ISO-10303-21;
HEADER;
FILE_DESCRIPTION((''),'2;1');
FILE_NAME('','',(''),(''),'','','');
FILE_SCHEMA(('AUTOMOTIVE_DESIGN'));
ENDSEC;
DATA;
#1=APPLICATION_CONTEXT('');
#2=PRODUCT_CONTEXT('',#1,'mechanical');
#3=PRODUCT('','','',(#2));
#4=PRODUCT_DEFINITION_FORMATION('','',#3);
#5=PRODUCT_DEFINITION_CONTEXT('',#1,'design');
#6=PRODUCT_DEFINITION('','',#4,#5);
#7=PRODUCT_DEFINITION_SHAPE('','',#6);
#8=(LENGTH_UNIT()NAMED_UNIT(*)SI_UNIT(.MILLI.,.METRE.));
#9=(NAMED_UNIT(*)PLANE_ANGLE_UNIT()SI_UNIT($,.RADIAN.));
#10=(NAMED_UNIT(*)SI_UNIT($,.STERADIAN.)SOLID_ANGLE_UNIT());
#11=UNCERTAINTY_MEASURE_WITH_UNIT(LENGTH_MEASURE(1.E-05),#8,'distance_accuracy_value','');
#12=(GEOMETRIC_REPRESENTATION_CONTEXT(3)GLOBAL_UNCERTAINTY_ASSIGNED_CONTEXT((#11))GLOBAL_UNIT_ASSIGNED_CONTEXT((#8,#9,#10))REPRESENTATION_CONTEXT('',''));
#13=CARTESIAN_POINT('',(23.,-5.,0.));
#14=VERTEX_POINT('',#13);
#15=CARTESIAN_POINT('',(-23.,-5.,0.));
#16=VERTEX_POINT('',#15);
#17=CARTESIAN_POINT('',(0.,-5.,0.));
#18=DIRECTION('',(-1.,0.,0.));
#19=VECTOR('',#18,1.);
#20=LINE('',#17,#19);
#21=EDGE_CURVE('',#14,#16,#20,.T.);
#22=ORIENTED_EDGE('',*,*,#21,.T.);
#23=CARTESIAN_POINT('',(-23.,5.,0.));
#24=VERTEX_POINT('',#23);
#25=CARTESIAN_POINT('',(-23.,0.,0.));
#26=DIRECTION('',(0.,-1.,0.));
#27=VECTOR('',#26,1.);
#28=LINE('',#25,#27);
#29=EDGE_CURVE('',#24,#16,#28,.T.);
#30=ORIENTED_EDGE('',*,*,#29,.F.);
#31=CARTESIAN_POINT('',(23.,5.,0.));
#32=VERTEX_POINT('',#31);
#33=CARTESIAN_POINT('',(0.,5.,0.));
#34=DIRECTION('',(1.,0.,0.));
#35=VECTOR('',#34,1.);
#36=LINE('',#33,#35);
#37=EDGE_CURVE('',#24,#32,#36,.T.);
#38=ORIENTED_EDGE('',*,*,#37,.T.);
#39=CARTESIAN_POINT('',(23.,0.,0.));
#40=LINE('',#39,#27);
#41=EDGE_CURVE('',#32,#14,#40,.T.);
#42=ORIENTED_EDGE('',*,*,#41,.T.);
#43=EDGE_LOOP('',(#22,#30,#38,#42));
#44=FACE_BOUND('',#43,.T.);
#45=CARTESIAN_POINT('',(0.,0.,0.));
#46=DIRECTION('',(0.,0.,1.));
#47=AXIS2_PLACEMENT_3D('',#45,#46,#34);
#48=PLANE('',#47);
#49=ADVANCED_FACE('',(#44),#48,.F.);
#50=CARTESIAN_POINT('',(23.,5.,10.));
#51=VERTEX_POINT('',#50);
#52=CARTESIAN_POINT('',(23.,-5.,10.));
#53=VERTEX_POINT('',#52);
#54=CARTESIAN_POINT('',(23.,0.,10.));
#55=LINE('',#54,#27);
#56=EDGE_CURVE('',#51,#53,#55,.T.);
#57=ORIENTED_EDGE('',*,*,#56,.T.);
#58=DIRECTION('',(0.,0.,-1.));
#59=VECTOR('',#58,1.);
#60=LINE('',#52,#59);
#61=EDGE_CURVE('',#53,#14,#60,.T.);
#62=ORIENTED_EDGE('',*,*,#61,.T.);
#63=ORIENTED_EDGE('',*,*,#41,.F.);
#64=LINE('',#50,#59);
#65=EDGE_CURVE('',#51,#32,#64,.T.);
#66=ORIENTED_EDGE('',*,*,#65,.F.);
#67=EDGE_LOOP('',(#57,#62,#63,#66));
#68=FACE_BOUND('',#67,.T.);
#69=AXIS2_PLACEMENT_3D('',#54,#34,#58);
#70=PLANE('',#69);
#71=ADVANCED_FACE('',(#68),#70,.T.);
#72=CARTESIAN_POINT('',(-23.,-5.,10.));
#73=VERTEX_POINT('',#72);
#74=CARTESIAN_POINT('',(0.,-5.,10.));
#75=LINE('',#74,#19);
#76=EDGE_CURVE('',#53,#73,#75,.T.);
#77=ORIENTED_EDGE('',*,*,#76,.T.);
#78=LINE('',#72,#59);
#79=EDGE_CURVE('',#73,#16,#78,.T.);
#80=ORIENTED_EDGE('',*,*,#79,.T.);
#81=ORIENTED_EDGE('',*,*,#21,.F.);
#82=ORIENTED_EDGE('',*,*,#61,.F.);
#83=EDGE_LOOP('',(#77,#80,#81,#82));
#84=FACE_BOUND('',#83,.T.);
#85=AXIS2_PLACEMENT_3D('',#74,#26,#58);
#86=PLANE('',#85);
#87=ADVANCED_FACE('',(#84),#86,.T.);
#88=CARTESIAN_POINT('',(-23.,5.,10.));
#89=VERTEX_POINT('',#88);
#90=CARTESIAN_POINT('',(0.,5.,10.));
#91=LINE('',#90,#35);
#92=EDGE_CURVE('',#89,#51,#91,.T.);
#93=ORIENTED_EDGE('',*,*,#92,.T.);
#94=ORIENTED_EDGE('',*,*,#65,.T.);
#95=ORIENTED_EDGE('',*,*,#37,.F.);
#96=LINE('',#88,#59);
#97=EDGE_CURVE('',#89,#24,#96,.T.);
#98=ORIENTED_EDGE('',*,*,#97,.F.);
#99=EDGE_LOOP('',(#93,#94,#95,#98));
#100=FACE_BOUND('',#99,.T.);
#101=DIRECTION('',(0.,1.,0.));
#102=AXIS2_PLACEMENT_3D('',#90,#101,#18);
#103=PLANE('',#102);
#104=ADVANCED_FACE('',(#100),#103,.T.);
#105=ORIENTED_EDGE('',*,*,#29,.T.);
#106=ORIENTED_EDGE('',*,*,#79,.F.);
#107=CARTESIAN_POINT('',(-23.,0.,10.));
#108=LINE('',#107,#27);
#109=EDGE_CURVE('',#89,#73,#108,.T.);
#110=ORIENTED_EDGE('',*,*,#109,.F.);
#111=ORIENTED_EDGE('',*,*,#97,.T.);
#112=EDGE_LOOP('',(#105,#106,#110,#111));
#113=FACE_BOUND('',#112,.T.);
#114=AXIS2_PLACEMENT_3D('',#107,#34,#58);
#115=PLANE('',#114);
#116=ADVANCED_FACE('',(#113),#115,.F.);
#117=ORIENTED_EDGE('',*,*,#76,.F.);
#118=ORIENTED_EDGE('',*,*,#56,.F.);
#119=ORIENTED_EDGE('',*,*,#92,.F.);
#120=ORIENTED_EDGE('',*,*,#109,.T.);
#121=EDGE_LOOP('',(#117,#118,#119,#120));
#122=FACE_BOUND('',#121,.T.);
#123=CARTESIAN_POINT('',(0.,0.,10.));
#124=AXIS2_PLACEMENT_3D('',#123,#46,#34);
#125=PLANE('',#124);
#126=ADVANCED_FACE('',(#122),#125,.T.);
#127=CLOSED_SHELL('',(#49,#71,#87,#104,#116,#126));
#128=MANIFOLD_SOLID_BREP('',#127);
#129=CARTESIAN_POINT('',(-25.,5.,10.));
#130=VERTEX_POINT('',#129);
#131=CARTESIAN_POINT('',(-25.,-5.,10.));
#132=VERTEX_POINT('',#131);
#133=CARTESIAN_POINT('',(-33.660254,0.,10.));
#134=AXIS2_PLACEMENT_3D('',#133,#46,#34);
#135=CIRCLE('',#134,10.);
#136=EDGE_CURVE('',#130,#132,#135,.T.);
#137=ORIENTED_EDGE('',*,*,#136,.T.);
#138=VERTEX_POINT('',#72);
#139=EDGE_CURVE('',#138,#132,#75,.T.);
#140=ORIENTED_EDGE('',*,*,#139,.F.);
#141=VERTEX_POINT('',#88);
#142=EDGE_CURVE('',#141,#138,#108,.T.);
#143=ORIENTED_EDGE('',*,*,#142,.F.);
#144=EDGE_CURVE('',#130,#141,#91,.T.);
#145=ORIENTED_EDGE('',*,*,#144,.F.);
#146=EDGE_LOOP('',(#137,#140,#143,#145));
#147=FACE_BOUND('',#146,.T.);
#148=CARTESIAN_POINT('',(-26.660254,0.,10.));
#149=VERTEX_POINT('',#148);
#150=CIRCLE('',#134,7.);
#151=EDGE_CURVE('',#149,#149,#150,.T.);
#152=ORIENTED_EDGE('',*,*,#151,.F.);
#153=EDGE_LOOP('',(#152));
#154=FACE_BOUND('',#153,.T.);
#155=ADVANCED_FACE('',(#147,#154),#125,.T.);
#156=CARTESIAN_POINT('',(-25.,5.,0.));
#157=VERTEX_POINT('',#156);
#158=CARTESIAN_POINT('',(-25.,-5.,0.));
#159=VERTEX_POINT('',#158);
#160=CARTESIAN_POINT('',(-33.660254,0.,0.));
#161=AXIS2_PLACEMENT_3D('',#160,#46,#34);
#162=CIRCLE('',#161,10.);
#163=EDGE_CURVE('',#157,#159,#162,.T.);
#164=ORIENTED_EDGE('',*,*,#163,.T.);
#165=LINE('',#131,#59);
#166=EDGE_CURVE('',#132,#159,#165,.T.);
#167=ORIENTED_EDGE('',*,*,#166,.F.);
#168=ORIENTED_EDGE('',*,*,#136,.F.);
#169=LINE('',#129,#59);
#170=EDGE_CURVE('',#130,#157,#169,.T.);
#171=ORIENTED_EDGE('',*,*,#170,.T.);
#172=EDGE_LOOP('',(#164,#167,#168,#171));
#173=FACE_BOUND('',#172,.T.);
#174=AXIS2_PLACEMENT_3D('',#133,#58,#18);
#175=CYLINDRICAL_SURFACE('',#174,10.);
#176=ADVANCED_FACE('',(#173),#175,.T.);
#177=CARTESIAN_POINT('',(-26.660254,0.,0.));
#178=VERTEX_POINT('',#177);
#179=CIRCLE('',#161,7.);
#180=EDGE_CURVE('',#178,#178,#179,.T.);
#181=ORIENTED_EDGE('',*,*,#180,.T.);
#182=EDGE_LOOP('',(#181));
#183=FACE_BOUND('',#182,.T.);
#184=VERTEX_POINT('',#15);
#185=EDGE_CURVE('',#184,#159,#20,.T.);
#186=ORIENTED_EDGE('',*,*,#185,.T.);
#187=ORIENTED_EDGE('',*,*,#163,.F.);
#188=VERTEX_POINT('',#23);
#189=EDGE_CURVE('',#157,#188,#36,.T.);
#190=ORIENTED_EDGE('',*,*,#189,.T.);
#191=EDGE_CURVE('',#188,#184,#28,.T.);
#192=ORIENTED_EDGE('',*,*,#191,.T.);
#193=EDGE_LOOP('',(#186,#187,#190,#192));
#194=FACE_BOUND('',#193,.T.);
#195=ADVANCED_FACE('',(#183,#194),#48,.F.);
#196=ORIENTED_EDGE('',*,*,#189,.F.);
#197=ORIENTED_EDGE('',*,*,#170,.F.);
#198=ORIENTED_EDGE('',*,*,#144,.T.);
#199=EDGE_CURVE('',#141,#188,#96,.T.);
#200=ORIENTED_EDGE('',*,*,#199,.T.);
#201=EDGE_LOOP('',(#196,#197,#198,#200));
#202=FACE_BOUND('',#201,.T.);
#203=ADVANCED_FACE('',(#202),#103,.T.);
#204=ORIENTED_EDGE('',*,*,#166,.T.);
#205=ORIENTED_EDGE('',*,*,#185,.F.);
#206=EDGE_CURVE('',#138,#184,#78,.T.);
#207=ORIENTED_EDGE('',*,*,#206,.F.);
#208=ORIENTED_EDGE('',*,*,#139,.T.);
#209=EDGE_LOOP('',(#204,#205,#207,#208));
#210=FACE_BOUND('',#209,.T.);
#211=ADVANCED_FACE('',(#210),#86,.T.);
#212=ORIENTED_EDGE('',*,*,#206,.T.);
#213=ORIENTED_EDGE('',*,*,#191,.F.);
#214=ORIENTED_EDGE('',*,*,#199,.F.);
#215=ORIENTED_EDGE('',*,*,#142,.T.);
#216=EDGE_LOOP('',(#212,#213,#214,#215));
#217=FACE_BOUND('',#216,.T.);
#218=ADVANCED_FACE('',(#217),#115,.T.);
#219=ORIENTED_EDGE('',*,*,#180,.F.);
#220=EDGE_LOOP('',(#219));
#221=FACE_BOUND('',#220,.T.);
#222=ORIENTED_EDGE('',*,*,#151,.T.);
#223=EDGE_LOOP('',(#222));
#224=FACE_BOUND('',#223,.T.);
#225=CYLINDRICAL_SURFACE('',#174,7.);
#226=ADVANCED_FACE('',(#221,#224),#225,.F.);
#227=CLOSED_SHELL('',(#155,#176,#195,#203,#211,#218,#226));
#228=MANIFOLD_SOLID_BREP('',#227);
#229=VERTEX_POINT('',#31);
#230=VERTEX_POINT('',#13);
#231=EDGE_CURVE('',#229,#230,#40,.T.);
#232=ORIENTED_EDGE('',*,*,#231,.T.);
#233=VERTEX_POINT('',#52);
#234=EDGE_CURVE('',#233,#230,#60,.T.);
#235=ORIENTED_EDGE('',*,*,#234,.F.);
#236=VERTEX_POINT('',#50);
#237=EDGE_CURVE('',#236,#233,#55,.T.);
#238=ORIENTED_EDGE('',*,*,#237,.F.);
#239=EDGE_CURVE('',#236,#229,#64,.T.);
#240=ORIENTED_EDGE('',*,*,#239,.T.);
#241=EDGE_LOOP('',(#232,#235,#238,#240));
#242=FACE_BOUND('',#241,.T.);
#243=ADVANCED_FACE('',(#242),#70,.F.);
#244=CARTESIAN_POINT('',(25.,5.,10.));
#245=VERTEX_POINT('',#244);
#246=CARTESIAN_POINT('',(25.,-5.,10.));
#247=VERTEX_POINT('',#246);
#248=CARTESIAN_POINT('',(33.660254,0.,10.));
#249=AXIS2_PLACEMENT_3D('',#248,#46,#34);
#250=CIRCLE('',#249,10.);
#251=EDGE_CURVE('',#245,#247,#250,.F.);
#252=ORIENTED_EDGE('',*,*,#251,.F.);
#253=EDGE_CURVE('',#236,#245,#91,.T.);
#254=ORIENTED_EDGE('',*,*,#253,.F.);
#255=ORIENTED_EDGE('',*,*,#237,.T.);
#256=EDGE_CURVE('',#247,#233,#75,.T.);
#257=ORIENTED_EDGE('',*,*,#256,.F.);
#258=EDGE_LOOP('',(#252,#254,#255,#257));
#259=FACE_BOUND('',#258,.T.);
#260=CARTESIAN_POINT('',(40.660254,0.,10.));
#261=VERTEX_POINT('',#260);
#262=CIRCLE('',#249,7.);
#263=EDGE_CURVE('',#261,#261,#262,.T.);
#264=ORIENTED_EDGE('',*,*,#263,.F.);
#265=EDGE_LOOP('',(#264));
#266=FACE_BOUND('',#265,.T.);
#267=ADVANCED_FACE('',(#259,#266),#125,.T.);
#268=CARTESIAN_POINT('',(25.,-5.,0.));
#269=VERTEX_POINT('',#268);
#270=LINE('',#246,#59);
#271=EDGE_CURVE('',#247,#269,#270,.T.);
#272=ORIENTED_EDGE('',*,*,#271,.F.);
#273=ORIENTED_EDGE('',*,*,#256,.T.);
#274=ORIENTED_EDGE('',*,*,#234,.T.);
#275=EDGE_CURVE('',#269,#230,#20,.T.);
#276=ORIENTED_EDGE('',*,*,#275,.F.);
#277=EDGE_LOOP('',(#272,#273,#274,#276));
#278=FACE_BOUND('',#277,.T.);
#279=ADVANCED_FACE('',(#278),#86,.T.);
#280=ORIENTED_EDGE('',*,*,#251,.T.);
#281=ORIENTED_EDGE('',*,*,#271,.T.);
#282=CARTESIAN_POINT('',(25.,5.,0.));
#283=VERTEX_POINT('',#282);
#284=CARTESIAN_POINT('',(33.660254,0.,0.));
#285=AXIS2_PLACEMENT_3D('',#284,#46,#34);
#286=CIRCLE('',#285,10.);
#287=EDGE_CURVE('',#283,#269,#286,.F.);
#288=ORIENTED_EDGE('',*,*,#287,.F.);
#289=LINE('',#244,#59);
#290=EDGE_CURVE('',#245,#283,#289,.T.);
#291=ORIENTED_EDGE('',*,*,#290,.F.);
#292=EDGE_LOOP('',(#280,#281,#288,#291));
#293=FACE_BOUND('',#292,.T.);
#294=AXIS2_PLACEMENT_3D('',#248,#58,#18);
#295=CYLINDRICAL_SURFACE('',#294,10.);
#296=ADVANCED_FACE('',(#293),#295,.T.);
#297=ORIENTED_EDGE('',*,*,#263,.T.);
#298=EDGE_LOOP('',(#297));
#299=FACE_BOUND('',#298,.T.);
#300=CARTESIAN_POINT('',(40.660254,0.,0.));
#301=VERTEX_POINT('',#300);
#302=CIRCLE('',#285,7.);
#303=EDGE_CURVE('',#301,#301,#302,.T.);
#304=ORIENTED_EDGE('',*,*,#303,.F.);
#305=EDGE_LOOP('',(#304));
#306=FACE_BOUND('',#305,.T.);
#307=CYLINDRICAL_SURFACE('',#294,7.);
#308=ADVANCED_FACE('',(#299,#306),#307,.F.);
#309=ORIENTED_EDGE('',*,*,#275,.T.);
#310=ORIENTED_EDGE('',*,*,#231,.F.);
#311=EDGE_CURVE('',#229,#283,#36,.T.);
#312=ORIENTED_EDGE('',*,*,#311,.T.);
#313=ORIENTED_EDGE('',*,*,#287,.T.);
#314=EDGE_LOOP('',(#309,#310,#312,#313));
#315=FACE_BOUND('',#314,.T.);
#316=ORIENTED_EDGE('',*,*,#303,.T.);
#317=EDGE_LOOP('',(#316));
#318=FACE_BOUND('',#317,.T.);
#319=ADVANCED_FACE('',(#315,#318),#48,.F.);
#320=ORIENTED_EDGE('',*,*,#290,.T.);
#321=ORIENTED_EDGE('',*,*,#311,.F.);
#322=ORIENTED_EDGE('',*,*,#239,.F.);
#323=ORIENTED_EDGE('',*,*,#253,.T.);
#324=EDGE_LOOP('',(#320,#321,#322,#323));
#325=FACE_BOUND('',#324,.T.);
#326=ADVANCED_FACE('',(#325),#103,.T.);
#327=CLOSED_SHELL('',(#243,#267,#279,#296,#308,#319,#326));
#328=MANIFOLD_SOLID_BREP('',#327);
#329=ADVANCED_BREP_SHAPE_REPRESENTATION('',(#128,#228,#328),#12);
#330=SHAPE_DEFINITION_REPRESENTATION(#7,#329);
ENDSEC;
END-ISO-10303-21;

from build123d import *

# Parameters (mm, degrees)
SKETCH1_R             = 7
BOSS_EXTRUDE1_DEPTH   = 10
BOSS_EXTRUDE1_2_DEPTH = 10
SKETCH1_3_W           = 46
SKETCH1_3_H           = 10
BOSS_EXTRUDE2_DEPTH   = 10


with BuildPart() as part:
    # Sketch1 → Boss-Extrude1 (new body)
    with BuildSketch(Plane.XY):
        with BuildLine():
            Line((-23, 5), (-25, 5))
            ThreePointArc((-25, 5), (-43.660254038, 0), (-25, -5))
            Line((-25, -5), (-23, -5))
            Line((-23, -5), (-23, 5))
        make_face()
        with Locations((-33.660254038, 0)):
            Circle(SKETCH1_R, mode=Mode.SUBTRACT)
    extrude(amount=BOSS_EXTRUDE1_DEPTH)


with BuildPart() as body_2:
    # Sketch1 → Boss-Extrude1 2 (new body)
    with BuildSketch(Plane.XY):
        with BuildLine():
            Line((25, 5), (23, 5))
            Line((23, 5), (23, -5))
            Line((23, -5), (25, -5))
            ThreePointArc((25, -5), (43.660254038, 0), (25, 5))
        make_face()
        with Locations((33.660254038, 0)):
            Circle(SKETCH1_R, mode=Mode.SUBTRACT)
    extrude(amount=BOSS_EXTRUDE1_2_DEPTH)


with BuildPart() as body_3:
    # Sketch1_3 → Boss-Extrude2 (new body)
    with BuildSketch(Plane.XY):
        Rectangle(SKETCH1_3_W, SKETCH1_3_H)
    extrude(amount=BOSS_EXTRUDE2_DEPTH)


solid = Compound([part.part, body_2.part, body_3.part])
